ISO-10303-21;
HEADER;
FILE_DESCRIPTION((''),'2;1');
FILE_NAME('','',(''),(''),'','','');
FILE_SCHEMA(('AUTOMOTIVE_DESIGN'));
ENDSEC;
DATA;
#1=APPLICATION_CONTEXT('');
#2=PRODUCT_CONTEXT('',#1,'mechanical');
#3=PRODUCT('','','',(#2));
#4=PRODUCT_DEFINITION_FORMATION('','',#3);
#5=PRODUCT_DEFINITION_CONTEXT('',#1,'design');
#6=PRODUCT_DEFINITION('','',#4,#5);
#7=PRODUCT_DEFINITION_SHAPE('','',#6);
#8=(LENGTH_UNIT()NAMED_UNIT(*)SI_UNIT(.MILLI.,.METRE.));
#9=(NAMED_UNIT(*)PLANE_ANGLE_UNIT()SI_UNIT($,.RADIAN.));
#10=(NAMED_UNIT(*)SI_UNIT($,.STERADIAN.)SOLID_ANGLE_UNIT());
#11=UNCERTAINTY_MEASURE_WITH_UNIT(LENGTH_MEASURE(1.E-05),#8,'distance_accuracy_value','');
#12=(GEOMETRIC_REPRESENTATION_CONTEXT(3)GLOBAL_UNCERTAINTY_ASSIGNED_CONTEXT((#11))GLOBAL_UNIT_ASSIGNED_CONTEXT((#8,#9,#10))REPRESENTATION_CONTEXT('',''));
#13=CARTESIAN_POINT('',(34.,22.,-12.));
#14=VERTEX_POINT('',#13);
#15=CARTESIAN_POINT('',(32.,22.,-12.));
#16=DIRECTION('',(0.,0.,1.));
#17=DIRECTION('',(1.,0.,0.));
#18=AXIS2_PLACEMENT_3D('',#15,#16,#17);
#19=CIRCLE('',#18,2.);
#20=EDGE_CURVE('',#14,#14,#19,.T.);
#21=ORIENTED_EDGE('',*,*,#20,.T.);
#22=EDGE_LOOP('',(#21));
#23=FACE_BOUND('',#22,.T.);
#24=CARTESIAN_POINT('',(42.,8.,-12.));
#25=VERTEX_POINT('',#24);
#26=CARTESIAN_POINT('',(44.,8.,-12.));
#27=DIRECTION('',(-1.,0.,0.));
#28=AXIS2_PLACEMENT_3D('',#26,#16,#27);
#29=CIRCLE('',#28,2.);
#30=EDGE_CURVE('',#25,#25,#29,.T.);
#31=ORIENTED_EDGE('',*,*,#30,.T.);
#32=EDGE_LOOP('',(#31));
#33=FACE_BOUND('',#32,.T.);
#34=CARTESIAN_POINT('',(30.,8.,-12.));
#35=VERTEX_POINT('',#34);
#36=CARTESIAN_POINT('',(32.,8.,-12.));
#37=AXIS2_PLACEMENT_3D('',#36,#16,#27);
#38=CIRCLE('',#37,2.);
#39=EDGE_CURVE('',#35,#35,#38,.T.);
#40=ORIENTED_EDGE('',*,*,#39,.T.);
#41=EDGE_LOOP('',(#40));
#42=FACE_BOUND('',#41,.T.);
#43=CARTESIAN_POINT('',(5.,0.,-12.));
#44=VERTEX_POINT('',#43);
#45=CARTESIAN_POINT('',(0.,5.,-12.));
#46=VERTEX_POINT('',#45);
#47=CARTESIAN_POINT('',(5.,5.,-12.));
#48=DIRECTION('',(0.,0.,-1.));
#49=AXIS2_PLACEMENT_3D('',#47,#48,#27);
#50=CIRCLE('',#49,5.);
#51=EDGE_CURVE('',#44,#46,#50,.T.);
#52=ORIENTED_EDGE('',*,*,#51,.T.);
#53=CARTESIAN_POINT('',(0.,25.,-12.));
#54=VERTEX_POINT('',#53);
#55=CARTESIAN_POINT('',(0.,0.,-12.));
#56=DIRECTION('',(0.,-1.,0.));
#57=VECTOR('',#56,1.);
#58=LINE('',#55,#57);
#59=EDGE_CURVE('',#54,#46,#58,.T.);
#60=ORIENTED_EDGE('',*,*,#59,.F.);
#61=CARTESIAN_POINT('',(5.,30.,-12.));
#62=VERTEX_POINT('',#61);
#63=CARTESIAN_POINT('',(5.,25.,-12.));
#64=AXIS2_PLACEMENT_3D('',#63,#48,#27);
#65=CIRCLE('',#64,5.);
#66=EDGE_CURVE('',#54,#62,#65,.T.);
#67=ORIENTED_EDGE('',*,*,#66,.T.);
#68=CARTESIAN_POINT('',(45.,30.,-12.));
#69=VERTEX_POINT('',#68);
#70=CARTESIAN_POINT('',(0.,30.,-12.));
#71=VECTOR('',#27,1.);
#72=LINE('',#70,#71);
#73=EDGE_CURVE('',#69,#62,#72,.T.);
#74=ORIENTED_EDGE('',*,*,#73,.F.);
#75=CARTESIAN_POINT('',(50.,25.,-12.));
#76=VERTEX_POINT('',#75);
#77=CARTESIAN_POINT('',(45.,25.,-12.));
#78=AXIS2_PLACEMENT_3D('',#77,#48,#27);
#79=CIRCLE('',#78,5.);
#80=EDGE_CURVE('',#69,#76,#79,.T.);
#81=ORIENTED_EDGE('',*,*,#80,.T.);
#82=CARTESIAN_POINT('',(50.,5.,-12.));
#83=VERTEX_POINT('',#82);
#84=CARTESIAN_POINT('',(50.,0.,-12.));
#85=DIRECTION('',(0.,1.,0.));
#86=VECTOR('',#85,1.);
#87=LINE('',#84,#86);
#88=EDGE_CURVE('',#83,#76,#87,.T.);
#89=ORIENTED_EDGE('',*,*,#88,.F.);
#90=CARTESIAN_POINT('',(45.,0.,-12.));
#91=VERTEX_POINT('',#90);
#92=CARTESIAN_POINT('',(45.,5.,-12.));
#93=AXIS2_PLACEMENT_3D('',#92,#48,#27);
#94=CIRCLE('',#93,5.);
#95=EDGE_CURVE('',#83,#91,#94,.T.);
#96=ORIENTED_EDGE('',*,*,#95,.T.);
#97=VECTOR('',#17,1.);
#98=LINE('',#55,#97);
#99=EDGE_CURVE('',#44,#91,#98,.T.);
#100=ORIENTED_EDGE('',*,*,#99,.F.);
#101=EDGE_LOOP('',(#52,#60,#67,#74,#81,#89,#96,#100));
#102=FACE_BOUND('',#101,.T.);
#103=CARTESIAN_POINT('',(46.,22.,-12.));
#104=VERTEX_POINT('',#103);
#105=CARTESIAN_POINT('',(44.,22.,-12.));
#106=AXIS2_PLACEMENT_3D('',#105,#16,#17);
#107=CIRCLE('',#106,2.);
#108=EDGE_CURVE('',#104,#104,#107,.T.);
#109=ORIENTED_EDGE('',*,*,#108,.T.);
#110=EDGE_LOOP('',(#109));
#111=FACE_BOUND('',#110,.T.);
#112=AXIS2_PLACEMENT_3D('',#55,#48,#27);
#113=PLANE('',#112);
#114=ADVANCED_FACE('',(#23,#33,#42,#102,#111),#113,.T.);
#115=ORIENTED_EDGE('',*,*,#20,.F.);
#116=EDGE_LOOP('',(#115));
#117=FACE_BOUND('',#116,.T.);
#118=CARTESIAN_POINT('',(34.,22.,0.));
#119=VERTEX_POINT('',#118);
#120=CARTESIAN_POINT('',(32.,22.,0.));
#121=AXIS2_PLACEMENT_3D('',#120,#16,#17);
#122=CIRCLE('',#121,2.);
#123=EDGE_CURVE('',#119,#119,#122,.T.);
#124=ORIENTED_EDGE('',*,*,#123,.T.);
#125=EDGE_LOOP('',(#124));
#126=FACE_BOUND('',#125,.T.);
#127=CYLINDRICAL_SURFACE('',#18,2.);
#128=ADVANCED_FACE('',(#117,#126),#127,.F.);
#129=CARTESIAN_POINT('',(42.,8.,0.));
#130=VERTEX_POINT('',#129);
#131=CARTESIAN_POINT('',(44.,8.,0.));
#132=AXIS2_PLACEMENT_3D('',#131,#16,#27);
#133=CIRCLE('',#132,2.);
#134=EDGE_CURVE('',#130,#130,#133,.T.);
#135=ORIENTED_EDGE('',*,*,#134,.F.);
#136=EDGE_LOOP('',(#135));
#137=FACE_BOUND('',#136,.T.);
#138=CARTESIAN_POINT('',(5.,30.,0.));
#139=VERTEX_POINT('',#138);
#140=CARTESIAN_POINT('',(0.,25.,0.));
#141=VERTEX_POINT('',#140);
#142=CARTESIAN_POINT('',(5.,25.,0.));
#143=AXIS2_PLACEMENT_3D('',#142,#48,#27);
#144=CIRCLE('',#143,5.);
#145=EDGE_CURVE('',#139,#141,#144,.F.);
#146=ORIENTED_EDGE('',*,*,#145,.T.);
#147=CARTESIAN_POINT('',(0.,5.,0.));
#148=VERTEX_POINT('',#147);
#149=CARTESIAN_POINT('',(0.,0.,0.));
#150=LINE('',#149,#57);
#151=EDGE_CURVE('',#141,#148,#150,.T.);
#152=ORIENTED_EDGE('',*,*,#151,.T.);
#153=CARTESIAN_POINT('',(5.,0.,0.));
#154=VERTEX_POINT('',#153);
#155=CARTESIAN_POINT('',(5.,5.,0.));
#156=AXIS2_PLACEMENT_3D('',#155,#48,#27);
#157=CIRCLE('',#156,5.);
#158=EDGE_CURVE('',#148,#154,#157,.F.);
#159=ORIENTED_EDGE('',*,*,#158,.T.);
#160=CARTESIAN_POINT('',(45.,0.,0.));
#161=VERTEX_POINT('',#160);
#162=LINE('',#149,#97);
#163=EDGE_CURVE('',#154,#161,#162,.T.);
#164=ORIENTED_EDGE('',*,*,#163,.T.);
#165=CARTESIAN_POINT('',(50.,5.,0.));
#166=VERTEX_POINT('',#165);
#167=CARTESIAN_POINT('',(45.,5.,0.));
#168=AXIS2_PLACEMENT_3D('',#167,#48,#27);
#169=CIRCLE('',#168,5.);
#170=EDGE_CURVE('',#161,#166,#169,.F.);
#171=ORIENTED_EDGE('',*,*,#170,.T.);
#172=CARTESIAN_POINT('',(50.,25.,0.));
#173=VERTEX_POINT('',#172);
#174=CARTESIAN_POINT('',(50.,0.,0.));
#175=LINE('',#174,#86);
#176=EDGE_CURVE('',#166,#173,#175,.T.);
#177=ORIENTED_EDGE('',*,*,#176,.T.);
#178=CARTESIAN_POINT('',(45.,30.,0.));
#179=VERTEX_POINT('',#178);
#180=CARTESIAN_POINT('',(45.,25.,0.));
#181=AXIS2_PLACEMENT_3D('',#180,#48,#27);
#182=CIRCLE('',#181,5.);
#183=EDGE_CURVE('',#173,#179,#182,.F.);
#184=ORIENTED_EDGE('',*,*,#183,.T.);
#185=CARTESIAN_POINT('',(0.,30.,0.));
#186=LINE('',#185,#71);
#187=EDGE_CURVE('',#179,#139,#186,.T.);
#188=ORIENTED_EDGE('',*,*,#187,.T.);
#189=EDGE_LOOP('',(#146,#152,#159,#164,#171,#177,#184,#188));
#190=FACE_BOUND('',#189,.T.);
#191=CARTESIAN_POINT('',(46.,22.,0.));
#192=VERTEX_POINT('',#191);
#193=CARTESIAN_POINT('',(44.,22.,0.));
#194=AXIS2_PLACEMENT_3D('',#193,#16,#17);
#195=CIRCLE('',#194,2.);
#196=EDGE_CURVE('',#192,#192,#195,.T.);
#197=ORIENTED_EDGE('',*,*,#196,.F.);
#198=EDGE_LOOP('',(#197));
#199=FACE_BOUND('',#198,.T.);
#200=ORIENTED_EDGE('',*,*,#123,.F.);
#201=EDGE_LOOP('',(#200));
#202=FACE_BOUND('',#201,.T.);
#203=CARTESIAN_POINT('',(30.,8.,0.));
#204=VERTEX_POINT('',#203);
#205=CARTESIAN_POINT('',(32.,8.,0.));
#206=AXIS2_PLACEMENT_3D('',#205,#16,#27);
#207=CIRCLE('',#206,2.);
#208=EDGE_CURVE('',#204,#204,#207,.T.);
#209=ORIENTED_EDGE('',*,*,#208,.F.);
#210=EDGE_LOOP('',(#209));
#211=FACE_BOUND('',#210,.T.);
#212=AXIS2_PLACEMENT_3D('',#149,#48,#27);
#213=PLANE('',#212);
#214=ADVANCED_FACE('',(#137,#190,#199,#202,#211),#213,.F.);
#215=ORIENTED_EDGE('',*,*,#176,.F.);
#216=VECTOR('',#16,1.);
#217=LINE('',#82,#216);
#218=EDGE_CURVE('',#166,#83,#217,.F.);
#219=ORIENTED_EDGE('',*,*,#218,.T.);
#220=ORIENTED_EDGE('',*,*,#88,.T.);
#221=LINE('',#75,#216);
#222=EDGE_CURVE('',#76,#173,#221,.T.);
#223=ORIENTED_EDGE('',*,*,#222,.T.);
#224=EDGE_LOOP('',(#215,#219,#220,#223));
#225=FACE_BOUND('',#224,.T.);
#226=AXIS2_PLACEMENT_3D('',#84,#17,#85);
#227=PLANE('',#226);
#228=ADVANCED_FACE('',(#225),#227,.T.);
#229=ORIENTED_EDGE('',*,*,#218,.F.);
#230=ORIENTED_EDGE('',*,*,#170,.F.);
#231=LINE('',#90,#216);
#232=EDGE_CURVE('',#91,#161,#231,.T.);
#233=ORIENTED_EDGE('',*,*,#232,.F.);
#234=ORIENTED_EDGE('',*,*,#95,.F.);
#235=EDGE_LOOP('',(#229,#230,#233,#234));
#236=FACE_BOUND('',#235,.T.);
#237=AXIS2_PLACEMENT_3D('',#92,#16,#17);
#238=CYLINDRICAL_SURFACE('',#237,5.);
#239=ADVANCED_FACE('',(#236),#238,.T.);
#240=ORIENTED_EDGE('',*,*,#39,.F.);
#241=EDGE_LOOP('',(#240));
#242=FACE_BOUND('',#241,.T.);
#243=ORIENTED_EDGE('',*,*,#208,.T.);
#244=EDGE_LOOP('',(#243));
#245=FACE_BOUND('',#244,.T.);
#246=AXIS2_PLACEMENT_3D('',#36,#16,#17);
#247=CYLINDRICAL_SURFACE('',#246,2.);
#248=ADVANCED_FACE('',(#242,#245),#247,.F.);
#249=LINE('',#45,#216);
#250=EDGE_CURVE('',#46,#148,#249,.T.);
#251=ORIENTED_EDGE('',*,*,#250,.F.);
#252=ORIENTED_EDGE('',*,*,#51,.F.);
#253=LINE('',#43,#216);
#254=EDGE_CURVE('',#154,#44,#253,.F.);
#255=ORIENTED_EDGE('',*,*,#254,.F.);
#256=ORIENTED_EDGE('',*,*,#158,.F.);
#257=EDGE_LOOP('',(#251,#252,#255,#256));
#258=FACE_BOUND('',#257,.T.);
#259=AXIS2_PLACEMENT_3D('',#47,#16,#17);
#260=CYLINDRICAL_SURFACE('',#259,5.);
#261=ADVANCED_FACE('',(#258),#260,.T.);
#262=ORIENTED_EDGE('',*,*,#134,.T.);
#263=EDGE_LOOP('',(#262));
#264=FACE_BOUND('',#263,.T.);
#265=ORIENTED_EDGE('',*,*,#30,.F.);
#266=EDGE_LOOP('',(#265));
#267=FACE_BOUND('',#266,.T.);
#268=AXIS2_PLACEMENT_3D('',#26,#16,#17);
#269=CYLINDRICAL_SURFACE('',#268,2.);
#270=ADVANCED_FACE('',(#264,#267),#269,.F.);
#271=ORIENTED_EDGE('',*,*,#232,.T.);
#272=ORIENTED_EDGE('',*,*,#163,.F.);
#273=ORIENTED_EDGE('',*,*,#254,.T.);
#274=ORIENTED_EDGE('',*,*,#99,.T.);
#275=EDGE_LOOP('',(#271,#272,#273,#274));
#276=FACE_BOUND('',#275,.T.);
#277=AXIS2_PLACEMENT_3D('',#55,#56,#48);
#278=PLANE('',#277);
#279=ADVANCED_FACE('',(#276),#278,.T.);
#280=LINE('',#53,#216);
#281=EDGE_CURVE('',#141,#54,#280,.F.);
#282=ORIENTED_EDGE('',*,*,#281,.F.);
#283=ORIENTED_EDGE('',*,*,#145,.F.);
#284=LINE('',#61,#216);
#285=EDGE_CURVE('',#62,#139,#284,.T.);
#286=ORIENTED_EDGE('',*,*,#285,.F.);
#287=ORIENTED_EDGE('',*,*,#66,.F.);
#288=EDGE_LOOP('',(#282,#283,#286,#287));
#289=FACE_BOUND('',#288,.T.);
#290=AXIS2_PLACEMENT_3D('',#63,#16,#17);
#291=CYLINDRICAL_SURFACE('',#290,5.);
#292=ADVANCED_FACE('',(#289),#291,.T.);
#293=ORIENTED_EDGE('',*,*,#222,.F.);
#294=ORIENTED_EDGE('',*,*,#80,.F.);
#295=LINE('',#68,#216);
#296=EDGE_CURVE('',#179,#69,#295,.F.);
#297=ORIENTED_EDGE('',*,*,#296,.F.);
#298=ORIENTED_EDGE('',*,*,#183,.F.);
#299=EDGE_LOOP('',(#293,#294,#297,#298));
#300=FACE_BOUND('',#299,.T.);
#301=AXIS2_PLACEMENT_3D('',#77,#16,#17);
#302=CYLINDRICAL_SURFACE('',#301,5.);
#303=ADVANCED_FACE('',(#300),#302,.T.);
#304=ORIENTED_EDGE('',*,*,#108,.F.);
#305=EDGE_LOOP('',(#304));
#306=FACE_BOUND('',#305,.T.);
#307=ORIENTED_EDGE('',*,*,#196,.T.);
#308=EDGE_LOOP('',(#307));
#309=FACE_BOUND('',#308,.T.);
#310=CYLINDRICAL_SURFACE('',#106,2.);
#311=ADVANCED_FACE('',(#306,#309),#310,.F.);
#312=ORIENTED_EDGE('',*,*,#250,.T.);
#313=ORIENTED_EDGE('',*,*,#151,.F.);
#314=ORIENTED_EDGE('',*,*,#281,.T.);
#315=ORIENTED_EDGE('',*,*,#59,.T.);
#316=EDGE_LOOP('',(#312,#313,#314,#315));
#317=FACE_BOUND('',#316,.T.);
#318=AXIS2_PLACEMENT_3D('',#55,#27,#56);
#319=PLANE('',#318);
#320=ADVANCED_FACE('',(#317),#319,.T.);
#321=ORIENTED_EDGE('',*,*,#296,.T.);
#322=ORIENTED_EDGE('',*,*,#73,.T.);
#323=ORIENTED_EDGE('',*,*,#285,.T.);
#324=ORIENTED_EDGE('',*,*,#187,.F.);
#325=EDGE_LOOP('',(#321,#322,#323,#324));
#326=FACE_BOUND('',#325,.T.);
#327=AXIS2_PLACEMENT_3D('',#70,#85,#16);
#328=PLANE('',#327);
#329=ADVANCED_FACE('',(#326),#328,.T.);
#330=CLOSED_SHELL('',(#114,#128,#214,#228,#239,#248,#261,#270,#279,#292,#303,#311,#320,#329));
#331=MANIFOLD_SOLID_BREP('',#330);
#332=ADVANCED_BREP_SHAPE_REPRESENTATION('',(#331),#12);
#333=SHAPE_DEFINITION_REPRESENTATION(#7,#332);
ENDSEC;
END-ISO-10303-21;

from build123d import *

# Parameters (mm, degrees)
SKETCH_1_W          = 50
SKETCH_1_H          = 30
EXTRUDE_1_DEPTH     = 12
SKETCH_2_R          = 2
CUT_EXTRUDE_1_DEPTH = 12
FILLET_1_R          = 5


with BuildPart() as part:
    # 草图1 → 凸台-拉伸1 (new body)
    with BuildSketch(Plane.XY):
        with Locations((25, 15)):
            Rectangle(SKETCH_1_W, SKETCH_1_H)
    extrude(amount=-EXTRUDE_1_DEPTH)

    # 草图2 → 切除-拉伸1 (cut)
    with BuildSketch(Plane.XY):
        with Locations((44, 22)):
            Circle(SKETCH_2_R)
        with Locations(Location((44, 8, 0), (0, 0, 180))):
            Circle(SKETCH_2_R)
        with Locations((32, 22)):
            Circle(SKETCH_2_R)
        with Locations(Location((32, 8, 0), (0, 0, 180))):
            Circle(SKETCH_2_R)
    extrude(amount=-CUT_EXTRUDE_1_DEPTH, mode=Mode.SUBTRACT)

    # 圆角1
    fillet_1_edges = [part.edges().sort_by_distance(p)[0] for p in [
        (0, 30, -6),
        (50, 30, -6),
        (50, 0, -6),
        (0, 0, -6),
    ]]
    fillet(fillet_1_edges, radius=FILLET_1_R)


solid = part.part
